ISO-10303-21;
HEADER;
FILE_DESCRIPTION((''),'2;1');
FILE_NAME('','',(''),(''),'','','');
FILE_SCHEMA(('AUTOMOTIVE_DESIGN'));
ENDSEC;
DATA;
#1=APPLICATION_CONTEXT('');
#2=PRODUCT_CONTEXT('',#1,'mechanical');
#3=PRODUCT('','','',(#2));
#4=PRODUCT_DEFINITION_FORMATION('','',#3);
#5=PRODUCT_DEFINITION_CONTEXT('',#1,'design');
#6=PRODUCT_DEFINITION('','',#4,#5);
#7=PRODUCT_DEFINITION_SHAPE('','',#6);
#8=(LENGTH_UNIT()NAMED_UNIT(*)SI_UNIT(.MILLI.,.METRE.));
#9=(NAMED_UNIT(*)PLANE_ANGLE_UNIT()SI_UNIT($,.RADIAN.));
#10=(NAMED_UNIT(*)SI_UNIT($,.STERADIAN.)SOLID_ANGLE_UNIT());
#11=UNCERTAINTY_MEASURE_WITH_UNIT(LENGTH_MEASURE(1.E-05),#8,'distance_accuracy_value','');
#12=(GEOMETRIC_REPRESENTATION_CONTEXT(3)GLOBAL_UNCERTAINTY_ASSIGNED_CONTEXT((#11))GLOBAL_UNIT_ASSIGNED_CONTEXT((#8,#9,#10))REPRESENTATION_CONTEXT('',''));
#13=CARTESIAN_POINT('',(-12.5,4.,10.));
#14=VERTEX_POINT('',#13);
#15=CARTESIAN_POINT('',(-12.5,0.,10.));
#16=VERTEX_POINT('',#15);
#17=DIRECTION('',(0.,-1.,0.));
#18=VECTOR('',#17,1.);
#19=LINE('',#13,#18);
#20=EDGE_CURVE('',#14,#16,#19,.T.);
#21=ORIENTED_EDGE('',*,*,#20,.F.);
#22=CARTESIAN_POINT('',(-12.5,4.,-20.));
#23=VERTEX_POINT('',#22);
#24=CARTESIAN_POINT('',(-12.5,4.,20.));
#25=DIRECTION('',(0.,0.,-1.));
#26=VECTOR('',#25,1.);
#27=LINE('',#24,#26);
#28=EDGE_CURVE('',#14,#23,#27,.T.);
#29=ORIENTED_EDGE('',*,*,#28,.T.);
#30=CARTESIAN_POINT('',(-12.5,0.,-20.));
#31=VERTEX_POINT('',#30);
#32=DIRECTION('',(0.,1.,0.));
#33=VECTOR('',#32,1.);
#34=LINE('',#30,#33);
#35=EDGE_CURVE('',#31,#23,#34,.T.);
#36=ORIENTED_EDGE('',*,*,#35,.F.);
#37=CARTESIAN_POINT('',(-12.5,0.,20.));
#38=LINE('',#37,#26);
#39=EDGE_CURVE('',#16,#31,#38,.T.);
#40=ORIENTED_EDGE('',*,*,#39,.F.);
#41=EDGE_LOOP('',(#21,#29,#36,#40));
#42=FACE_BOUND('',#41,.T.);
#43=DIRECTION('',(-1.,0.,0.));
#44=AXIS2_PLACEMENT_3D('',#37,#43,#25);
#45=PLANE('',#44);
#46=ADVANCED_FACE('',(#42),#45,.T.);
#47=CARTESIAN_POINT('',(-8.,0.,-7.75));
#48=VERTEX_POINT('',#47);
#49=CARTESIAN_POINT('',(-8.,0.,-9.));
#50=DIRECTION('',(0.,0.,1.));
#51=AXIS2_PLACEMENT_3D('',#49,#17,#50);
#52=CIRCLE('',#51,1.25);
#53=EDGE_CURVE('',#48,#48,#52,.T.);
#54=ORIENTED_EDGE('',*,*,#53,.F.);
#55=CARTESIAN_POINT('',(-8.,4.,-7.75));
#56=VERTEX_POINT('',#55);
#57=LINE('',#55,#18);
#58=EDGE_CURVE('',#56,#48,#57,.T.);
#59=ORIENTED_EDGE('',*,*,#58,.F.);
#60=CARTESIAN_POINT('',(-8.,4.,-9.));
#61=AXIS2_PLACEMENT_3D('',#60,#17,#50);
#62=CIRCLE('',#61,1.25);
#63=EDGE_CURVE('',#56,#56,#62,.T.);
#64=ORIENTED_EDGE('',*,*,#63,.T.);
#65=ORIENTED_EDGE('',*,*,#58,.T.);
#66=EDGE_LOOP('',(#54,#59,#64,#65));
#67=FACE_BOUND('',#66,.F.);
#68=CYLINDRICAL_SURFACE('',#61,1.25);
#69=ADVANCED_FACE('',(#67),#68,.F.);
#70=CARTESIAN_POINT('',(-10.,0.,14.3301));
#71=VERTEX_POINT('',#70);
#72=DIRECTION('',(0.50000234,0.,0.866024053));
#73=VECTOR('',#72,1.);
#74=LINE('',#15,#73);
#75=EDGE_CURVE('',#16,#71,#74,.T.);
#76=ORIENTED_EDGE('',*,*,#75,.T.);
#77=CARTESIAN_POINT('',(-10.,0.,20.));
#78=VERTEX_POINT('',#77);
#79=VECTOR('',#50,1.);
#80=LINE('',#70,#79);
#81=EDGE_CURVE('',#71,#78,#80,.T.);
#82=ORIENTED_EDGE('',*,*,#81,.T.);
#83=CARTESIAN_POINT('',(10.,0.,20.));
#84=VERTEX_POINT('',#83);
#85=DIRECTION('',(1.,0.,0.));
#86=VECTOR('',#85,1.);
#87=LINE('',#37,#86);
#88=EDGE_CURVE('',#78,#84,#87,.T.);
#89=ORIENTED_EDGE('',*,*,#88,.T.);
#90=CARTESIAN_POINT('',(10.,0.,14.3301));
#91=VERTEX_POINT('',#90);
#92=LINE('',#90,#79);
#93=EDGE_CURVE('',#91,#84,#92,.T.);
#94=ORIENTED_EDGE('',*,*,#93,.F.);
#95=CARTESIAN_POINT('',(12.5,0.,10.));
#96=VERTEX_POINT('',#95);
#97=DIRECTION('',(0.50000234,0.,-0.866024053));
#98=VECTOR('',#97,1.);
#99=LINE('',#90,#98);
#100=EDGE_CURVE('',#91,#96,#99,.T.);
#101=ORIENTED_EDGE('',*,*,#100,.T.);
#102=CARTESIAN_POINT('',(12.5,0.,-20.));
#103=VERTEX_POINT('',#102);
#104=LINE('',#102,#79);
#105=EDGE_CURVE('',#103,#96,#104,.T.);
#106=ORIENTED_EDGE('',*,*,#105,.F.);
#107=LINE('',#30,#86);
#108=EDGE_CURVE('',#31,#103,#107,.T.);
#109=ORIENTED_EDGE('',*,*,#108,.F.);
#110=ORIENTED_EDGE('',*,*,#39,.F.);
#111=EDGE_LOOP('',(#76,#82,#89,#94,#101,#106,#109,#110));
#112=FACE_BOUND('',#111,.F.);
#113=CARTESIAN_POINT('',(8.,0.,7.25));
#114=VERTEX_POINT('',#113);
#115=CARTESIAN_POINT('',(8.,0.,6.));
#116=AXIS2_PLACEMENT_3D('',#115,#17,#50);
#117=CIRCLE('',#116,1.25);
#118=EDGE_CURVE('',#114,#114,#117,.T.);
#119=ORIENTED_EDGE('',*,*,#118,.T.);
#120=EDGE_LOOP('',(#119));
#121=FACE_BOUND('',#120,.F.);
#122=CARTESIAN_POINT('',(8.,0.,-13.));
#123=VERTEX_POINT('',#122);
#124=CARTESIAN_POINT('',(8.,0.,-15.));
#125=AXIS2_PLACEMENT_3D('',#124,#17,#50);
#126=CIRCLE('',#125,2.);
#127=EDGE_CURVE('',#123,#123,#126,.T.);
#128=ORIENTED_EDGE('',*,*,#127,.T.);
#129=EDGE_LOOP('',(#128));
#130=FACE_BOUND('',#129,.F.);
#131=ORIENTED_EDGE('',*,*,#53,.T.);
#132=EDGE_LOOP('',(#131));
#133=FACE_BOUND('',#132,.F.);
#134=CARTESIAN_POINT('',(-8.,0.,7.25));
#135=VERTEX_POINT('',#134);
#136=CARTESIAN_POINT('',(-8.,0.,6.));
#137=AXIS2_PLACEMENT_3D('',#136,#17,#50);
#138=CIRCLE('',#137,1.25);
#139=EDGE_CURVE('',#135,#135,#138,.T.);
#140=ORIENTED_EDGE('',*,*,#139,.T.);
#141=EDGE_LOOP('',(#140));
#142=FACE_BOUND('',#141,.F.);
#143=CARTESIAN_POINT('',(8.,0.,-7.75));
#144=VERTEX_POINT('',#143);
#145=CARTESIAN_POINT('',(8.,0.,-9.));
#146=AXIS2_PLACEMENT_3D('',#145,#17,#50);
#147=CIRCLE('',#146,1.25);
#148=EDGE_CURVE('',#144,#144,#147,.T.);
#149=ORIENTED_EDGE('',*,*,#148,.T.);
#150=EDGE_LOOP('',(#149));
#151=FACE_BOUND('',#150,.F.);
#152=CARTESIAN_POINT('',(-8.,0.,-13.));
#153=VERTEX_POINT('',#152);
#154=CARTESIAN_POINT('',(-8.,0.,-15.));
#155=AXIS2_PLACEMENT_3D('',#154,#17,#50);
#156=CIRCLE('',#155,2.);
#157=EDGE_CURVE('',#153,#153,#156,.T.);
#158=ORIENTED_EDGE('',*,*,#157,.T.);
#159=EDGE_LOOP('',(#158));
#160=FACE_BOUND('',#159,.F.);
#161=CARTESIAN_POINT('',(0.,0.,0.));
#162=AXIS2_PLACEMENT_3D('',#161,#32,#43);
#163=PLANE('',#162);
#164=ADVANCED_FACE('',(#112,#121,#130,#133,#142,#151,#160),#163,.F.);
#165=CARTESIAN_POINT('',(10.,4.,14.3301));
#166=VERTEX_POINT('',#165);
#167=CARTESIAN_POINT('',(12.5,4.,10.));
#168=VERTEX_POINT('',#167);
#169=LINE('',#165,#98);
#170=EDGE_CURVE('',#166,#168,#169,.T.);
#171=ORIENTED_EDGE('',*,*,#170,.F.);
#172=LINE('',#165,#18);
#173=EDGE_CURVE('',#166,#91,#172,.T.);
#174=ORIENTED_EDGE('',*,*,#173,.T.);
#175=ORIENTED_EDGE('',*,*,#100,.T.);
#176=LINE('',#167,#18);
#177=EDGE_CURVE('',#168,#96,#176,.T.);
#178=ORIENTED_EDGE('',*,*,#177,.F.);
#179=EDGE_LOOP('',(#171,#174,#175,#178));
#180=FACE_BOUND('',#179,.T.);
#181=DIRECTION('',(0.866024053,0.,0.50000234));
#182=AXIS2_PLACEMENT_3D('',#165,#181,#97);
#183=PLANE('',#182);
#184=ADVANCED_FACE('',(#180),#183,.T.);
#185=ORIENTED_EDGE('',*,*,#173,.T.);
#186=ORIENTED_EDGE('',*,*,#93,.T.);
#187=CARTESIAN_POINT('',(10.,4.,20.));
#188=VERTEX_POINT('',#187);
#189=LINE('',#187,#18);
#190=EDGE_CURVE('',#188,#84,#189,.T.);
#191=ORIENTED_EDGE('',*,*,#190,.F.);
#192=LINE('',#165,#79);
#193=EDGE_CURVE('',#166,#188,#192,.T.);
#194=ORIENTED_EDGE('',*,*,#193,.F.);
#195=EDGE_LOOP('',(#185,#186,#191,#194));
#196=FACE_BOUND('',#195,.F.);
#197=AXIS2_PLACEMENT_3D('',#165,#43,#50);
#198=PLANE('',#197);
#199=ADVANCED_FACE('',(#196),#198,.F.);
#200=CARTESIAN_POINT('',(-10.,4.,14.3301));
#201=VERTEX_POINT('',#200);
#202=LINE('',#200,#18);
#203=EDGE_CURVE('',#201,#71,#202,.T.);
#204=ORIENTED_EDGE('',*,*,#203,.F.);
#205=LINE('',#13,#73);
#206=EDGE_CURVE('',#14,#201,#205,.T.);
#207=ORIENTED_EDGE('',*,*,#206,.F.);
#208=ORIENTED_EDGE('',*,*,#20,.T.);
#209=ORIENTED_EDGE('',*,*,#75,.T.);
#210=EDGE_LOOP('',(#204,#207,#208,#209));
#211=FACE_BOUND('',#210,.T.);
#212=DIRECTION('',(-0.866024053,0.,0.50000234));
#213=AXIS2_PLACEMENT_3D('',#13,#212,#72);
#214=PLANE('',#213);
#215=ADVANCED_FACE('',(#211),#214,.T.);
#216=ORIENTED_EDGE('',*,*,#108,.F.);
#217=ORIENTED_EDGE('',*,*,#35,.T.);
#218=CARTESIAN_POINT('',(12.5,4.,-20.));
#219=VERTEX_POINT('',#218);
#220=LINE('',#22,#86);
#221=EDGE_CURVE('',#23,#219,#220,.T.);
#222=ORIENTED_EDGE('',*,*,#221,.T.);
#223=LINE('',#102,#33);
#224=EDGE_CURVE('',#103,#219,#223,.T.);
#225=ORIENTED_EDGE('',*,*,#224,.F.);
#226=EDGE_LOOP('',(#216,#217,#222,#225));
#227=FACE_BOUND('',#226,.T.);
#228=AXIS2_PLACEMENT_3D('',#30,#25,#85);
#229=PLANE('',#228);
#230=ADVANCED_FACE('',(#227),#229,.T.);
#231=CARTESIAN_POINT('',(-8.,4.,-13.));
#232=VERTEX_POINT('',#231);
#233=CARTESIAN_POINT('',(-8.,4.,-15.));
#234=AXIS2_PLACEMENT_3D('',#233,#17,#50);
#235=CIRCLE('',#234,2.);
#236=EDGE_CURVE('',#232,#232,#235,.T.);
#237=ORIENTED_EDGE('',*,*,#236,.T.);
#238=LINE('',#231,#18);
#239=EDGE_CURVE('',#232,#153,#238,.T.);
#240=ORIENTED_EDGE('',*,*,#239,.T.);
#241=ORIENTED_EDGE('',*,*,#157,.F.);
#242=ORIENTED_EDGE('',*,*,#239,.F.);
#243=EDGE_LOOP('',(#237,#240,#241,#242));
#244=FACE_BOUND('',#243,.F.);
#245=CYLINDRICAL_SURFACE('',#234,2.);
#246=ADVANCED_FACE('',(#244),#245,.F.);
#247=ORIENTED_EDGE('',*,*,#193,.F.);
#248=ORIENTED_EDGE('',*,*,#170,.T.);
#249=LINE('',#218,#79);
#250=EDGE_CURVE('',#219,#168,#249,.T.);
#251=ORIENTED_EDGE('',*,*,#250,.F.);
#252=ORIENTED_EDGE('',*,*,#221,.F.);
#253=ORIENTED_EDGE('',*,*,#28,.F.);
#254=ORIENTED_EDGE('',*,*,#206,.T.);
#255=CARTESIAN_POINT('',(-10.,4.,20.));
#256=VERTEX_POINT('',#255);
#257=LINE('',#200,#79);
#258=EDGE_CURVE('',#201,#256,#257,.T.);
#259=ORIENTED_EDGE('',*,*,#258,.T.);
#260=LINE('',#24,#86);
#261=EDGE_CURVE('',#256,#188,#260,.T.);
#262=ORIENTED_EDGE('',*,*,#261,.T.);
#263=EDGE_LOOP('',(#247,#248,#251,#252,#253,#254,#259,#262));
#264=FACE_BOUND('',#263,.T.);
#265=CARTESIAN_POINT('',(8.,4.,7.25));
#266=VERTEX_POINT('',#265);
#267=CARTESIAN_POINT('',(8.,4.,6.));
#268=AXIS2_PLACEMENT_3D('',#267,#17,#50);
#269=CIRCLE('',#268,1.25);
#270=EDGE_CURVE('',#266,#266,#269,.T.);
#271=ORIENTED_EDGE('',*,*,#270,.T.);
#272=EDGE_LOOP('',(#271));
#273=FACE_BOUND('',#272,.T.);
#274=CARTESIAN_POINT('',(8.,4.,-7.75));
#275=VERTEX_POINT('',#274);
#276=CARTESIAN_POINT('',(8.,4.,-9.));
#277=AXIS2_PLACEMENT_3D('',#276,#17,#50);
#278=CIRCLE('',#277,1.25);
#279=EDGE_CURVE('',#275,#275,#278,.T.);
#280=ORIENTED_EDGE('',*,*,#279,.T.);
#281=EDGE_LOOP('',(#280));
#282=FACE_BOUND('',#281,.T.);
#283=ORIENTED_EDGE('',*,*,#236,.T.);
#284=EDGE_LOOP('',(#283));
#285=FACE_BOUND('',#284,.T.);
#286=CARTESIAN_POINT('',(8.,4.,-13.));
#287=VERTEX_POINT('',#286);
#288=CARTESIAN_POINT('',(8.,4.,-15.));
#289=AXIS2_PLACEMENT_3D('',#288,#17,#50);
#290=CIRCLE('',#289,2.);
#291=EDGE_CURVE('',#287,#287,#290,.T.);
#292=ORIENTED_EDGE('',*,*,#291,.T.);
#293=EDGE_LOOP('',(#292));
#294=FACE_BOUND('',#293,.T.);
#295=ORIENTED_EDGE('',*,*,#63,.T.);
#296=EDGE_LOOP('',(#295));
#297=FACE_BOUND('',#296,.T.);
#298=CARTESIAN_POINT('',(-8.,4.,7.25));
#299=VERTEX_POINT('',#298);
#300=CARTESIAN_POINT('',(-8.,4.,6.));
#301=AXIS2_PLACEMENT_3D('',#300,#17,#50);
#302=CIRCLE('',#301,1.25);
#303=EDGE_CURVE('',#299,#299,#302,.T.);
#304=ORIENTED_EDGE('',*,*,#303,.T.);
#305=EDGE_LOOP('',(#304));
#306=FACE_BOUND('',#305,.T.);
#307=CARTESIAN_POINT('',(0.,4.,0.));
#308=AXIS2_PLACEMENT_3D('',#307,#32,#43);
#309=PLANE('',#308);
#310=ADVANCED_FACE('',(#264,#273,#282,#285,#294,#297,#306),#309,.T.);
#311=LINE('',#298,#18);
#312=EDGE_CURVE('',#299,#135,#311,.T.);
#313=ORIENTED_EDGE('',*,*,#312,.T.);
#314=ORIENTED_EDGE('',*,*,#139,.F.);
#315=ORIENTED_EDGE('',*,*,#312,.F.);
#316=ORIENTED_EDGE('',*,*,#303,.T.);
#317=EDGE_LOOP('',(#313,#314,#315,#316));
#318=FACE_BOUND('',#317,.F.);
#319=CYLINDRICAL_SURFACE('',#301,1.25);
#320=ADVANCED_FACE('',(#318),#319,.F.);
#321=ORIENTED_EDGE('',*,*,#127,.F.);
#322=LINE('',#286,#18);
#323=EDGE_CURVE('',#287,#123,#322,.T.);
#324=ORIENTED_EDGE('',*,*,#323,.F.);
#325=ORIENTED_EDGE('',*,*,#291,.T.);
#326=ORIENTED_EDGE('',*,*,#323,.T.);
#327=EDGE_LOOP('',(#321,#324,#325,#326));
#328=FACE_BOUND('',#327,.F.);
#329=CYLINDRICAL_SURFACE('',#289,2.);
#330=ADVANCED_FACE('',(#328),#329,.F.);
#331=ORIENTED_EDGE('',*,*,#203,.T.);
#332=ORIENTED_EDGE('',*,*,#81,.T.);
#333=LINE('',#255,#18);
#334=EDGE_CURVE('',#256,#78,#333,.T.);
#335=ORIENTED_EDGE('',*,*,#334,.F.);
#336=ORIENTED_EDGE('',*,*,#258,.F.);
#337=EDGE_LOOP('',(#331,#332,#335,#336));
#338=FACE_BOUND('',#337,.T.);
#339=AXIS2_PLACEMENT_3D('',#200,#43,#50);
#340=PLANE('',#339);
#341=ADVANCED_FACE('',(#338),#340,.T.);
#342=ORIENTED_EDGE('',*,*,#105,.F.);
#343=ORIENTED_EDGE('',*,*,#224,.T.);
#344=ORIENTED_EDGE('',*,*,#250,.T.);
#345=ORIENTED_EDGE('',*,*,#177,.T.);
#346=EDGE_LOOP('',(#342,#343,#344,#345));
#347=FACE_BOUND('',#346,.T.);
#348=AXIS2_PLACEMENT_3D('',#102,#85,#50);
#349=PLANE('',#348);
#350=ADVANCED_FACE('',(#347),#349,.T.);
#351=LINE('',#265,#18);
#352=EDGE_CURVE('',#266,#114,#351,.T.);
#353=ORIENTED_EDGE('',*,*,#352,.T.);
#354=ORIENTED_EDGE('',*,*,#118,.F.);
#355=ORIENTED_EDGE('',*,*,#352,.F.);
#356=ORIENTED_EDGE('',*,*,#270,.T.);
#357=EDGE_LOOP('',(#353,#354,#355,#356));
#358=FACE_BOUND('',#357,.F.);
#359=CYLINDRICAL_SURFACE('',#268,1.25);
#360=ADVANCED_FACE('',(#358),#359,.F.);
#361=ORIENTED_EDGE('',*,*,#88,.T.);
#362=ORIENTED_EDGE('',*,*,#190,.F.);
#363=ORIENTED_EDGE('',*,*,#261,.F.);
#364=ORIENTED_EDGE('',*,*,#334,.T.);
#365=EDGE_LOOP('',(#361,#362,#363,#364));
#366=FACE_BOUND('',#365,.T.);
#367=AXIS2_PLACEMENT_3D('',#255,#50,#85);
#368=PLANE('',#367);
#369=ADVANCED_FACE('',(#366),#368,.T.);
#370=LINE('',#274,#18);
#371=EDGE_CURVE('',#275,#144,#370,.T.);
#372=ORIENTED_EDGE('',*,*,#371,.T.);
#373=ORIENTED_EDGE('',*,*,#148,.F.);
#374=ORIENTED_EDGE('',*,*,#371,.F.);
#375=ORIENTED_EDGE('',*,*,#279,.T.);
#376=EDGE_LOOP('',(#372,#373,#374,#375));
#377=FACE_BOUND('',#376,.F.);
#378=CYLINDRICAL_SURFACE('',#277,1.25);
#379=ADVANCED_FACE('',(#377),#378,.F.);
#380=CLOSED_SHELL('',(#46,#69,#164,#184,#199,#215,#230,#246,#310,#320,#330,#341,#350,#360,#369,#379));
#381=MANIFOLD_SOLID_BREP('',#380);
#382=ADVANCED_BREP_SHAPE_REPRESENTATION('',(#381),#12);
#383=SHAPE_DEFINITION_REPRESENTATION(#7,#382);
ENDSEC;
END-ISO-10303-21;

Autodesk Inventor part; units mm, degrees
ref_plane "YZ Plane" through (0, 0, 0) normal (1, 0, 0) x (0, 1, 0)
ref_plane "XZ Plane" through (0, 0, 0) normal (0, 1, 0) x (-1, 0, 0)
ref_plane "XY Plane" through (0, 0, 0) normal (0, 0, 1) x (1, 0, 0)
sketch "スケッチ1" plane through (0, 0, 0) normal (0, 1, 0) x (-1, 0, 0)
  line L0 (-12.5, 20) -> (12.5, 20)
  line L1 (12.5, 20) -> (12.5, -20)
  line L2 (12.5, -20) -> (-12.5, -20)
  line L3 (-12.5, -20) -> (-12.5, 20)
  point P0 (0, 0)
  dimension "d0" = 25
  dimension "d2" = 40
  dimension "d3" = 20
  dimension "d4" = 12.5
extrude "押し出し1" add sketch "スケッチ1" along normal blind 4
sketch "スケッチ2" plane through (0, 4, 0) normal (0, 1, 0) x (1, 0, 0)
  line L0 (-12.5, -20) -> (12.5, -20) projected
  line L1 (12.5, -20) -> (12.5, 20) projected
  line L2 (12.5, 20) -> (-12.5, 20) projected
  line L3 (-12.5, 20) -> (-12.5, -20) projected
  line L4 (-12.5, -10) -> (-10, -14.3301)
  line L5 (-10, -14.3301) -> (-10, -20)
  line L6 (10, -14.3301) -> (10, -20)
  line L7 (10, -14.3301) -> (12.5, -10)
  point P0 (0, 0)
  dimension "d7" = 20
  dimension "d9" = 2.5
  dimension "d10" = 30
  dimension "d11" = 150
  dimension "d12" = 30
  dimension "d13" = 150
extrude "押し出し2" cut sketch "スケッチ2" against normal blind 4 contours L5 L4 L3 L2 L1 L7 L6 L0 keep common part
sketch "スケッチ3" plane through (0, 4, 0) normal (0, 1, 0) x (1, 0, 0)
  line L0 (12.5, 20) -> (-12.5, 20) projected
  circle A0 centre (-8, 15) radius 2
  circle A1 centre (8, 15) radius 2
  point P0 (0, 0)
  dimension "d16" = 4
  dimension "d18" = 16
  dimension "d19" = 5
  dimension "d20" = 5
  dimension "d21" = 8
hole "穴1" at (-8, 4, -15) at (8, 4, -15) direction (0, -1, 0) diameter 4 end through all
sketch "スケッチ4" plane through (0, 4, 0) normal (0, 1, 0) x (1, 0, 0)
  circle A0 centre (-8, 15) radius 2 projected
  circle A1 centre (8, 15) radius 2 projected
  circle A2 centre (-8, 9) radius 1.5
  circle A3 centre (8, 9) radius 1.5
  circle A4 centre (-8, -6) radius 1.5
  circle A5 centre (8, -6) radius 1.5
  line L0 (12.5, 20) -> (-12.5, 20) projected
  point P0 (0, 0)
  dimension "d29" = 8
  dimension "d31" = 3
  dimension "d33" = 6
  dimension "d34" = 6
  dimension "d35" = 16
  dimension "d36" = 16
  dimension "d37" = 8
  dimension "d40" = 15
  dimension "d41" = 15
  dimension "d49" = 5
hole "穴2" at (-8, 4, 6) at (-8, 4, -9) at (8, 4, 6) at (8, 4, -9) direction (0, -1, 0) diameter 2.5 end through all
properties part number "Arm_Link_Shim_i"
